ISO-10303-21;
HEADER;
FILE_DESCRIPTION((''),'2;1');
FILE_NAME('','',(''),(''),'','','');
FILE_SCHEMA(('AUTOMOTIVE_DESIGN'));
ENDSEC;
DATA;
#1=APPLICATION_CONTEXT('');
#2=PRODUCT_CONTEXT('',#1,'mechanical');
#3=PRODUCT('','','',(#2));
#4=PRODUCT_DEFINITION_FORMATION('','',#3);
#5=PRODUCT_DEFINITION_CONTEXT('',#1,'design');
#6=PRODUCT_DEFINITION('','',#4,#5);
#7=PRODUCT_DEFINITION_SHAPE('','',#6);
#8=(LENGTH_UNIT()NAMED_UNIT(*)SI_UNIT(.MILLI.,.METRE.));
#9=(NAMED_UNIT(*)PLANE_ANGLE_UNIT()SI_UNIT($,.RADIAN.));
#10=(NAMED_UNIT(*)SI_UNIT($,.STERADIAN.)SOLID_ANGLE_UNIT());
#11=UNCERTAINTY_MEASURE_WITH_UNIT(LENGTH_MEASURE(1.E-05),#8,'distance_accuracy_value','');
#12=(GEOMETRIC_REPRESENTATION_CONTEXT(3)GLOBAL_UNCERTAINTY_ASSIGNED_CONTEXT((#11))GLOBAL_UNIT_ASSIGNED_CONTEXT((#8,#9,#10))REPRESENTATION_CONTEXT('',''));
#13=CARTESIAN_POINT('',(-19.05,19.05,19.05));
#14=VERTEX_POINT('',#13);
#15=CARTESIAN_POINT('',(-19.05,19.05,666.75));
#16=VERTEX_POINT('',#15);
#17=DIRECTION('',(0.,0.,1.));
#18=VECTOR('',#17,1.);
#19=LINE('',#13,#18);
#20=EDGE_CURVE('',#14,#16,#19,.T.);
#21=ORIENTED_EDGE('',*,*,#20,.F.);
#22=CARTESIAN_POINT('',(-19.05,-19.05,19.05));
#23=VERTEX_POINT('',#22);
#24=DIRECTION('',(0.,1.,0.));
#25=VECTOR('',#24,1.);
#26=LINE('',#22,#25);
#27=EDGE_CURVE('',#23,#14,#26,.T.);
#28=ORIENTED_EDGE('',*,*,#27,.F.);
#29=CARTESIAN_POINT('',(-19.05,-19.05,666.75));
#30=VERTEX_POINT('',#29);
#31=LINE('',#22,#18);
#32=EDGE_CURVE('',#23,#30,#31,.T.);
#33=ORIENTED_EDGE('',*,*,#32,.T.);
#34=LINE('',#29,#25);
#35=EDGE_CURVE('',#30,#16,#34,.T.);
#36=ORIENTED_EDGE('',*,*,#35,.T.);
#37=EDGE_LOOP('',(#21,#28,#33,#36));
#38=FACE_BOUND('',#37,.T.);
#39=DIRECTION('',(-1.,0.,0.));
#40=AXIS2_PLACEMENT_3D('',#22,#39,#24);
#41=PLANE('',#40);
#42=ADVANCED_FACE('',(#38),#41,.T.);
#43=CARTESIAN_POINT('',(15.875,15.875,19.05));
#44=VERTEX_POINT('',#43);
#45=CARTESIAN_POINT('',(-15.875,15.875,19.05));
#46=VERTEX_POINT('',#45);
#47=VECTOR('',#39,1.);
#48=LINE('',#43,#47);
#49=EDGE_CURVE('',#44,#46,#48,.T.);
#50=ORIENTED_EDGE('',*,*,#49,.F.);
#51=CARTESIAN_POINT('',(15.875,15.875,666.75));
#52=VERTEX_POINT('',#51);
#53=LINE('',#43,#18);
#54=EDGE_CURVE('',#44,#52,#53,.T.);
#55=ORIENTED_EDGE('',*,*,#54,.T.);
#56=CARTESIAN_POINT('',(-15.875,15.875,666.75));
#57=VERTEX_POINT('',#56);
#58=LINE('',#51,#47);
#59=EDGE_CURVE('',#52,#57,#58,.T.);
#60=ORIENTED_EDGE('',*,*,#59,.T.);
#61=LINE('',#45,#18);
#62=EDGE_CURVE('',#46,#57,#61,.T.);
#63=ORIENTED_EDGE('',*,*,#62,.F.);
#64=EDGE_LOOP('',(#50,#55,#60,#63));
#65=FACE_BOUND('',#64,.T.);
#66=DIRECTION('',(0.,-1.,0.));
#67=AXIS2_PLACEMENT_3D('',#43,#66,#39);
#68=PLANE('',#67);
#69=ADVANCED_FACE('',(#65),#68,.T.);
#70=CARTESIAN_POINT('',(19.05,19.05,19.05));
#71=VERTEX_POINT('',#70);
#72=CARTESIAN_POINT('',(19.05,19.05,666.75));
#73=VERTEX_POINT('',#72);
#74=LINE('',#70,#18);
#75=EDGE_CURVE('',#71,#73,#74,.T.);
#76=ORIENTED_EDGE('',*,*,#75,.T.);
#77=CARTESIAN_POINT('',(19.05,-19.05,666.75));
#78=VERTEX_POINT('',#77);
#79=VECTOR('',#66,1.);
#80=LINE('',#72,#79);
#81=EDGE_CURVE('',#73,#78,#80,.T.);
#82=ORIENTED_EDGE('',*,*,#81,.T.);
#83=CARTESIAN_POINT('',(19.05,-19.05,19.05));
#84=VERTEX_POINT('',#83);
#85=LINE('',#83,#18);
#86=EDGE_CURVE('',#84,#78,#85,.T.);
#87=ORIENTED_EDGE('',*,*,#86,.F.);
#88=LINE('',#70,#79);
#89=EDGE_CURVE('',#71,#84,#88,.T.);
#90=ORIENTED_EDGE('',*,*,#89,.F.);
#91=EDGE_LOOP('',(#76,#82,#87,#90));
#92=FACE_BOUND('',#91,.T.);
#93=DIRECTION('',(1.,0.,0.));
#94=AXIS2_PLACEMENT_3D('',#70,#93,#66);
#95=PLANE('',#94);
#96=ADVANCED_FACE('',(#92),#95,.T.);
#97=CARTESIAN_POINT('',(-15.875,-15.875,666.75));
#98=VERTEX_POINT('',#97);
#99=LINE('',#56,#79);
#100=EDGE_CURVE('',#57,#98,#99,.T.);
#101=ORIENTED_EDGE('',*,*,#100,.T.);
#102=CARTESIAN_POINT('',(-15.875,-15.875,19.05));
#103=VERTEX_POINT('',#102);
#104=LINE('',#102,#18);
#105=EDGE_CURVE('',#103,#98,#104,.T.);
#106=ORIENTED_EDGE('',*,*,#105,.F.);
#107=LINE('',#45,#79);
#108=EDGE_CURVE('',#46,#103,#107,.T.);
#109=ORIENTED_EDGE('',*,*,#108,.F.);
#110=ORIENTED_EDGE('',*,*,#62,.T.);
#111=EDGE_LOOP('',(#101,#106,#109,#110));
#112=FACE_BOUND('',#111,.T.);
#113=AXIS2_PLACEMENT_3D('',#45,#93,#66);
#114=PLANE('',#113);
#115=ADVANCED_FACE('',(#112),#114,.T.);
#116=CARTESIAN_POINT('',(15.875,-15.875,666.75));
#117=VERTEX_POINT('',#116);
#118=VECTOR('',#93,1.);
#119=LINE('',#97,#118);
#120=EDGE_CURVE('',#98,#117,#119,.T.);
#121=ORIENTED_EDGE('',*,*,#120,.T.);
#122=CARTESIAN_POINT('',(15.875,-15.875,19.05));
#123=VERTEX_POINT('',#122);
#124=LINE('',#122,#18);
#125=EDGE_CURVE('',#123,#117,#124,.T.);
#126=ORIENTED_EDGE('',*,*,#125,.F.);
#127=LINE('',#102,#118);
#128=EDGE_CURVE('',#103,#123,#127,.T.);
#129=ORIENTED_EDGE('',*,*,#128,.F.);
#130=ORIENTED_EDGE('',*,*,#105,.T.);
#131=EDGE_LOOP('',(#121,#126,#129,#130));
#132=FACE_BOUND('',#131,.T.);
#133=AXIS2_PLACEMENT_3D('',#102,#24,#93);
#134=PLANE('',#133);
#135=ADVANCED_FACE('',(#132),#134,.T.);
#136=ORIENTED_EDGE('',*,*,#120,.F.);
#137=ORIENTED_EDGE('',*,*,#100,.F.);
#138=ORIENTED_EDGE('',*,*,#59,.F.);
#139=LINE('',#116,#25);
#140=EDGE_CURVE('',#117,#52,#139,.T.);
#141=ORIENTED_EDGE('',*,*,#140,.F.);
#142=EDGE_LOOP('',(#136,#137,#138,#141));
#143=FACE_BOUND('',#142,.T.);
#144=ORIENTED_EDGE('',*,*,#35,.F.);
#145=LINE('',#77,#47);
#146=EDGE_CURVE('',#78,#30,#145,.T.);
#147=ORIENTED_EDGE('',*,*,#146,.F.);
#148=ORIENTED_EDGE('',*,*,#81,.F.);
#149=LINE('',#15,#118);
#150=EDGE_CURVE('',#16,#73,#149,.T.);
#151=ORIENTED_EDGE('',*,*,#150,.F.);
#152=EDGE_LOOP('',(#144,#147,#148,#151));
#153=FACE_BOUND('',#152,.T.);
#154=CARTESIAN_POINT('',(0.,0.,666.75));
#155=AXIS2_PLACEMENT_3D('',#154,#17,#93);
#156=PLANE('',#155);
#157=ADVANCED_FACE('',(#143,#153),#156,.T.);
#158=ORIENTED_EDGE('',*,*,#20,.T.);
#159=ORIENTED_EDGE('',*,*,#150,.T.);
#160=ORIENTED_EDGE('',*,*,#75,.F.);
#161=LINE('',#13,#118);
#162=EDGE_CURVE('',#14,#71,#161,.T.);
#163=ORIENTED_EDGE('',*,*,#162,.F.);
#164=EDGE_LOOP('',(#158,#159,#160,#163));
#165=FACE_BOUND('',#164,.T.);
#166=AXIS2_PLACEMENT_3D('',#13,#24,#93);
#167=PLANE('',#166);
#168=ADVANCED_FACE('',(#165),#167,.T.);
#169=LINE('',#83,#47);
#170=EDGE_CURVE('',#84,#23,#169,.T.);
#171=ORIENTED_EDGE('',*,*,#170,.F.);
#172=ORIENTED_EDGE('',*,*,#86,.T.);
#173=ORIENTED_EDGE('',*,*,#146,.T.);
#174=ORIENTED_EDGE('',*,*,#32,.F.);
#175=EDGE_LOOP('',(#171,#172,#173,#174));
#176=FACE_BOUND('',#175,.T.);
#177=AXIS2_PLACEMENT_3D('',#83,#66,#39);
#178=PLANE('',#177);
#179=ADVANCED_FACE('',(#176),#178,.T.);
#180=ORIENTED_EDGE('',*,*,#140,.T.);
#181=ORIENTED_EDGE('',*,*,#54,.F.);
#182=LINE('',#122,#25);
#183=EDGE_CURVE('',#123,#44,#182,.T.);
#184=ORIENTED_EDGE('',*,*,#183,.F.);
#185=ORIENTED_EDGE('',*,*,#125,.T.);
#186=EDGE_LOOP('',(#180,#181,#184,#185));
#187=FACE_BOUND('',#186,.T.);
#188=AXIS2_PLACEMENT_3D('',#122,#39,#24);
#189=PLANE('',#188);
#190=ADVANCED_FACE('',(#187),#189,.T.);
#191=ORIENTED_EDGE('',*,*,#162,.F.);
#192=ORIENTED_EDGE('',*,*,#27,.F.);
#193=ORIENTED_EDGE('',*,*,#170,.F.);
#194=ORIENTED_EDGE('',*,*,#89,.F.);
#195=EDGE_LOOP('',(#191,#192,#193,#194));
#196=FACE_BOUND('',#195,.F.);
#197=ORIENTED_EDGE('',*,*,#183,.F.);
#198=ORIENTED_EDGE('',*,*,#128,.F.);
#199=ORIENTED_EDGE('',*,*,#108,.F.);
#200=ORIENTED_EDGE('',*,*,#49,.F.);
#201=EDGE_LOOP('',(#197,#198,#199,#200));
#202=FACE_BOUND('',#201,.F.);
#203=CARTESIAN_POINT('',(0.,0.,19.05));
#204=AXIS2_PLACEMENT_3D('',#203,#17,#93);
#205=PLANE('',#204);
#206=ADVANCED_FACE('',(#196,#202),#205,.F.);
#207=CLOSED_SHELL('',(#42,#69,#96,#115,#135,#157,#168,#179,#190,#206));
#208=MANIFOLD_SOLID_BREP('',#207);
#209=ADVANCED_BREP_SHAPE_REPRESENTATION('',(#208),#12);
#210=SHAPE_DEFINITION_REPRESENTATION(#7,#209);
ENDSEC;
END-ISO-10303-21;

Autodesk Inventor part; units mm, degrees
ref_plane "Start Plane" through (0, 0, 19.05) normal (0, 0, 1) x (1, 0, 0)
ref_plane "End Plane" through (0, 0, 666.75) normal (0, 0, 1) x (1, 0, 0)
sketch "Sketch" plane through (0, 0, 0) normal (0, 0, 1) x (1, 0, 0)
  line L0 (-19.05, 19.05) -> (19.05, 19.05)
  line L1 (19.05, 19.05) -> (19.05, -19.05)
  line L2 (19.05, -19.05) -> (-19.05, -19.05)
  line L3 (-19.05, -19.05) -> (-19.05, 19.05)
  line L4 (15.875, 15.875) -> (-15.875, 15.875)
  line L5 (-15.875, 15.875) -> (-15.875, -15.875)
  line L6 (-15.875, -15.875) -> (15.875, -15.875)
  line L7 (15.875, -15.875) -> (15.875, 15.875)
  point P0 (0, 0)
  point P1 (0, 19.05)
  point P2 (-19.05, 0)
  dimension "width" = 38.1
  dimension "d1" = 3.175
extrude "Body" add sketch "Sketch" along normal up to surface (647.7 mm away) from surface at 19.05
sketch "Sketch4" plane through (0, 0, 0) normal (0, 0, 1) x (1, 0, 0)
  line L0 (0, 0) -> (10, 0)
ref_plane "Work Plane4" through (0, 0, 0) normal (0, -1, 0) x (1, 0, 0)
sketch "Sketch5" plane through (0, 0, 0) normal (0, -1, 0) x (1, 0, 0)
  line L0 (-2, 19.05) -> (12, 19.05)
  line L1 (-2, 666.75) -> (12, 666.75)
  dimension "d9" = 647.7
ref_plane "Work Plane5" through (1168.4, 19.05, 19.05) normal (0, 0, -1) x (-1, 0, 0)
split "Split1" plane through (1168.4, 19.05, 19.05) removes the side toward (0, 0, -1)
ref_plane "Work Plane6" through (0, 19.05, 666.75) normal (0, 0, 1) x (1, 0, 0)
split "Split2" plane through (0, 19.05, 666.75) removes the side toward (0, 0, 1)
equation "\"G_OFFSET_START\" = -19.05"
equation "\"G_OFFSET_END\" = -19.05"
equation "\"d4\" = -G_OFFSET_START"
equation "\"d5\" = length + G_OFFSET_END"
equation "\"G_L\" = 723.9"
equation "\"length\" = 685.8"
properties part number "1.5x1.5x.125 Tube" material "Aluminum-6061"
